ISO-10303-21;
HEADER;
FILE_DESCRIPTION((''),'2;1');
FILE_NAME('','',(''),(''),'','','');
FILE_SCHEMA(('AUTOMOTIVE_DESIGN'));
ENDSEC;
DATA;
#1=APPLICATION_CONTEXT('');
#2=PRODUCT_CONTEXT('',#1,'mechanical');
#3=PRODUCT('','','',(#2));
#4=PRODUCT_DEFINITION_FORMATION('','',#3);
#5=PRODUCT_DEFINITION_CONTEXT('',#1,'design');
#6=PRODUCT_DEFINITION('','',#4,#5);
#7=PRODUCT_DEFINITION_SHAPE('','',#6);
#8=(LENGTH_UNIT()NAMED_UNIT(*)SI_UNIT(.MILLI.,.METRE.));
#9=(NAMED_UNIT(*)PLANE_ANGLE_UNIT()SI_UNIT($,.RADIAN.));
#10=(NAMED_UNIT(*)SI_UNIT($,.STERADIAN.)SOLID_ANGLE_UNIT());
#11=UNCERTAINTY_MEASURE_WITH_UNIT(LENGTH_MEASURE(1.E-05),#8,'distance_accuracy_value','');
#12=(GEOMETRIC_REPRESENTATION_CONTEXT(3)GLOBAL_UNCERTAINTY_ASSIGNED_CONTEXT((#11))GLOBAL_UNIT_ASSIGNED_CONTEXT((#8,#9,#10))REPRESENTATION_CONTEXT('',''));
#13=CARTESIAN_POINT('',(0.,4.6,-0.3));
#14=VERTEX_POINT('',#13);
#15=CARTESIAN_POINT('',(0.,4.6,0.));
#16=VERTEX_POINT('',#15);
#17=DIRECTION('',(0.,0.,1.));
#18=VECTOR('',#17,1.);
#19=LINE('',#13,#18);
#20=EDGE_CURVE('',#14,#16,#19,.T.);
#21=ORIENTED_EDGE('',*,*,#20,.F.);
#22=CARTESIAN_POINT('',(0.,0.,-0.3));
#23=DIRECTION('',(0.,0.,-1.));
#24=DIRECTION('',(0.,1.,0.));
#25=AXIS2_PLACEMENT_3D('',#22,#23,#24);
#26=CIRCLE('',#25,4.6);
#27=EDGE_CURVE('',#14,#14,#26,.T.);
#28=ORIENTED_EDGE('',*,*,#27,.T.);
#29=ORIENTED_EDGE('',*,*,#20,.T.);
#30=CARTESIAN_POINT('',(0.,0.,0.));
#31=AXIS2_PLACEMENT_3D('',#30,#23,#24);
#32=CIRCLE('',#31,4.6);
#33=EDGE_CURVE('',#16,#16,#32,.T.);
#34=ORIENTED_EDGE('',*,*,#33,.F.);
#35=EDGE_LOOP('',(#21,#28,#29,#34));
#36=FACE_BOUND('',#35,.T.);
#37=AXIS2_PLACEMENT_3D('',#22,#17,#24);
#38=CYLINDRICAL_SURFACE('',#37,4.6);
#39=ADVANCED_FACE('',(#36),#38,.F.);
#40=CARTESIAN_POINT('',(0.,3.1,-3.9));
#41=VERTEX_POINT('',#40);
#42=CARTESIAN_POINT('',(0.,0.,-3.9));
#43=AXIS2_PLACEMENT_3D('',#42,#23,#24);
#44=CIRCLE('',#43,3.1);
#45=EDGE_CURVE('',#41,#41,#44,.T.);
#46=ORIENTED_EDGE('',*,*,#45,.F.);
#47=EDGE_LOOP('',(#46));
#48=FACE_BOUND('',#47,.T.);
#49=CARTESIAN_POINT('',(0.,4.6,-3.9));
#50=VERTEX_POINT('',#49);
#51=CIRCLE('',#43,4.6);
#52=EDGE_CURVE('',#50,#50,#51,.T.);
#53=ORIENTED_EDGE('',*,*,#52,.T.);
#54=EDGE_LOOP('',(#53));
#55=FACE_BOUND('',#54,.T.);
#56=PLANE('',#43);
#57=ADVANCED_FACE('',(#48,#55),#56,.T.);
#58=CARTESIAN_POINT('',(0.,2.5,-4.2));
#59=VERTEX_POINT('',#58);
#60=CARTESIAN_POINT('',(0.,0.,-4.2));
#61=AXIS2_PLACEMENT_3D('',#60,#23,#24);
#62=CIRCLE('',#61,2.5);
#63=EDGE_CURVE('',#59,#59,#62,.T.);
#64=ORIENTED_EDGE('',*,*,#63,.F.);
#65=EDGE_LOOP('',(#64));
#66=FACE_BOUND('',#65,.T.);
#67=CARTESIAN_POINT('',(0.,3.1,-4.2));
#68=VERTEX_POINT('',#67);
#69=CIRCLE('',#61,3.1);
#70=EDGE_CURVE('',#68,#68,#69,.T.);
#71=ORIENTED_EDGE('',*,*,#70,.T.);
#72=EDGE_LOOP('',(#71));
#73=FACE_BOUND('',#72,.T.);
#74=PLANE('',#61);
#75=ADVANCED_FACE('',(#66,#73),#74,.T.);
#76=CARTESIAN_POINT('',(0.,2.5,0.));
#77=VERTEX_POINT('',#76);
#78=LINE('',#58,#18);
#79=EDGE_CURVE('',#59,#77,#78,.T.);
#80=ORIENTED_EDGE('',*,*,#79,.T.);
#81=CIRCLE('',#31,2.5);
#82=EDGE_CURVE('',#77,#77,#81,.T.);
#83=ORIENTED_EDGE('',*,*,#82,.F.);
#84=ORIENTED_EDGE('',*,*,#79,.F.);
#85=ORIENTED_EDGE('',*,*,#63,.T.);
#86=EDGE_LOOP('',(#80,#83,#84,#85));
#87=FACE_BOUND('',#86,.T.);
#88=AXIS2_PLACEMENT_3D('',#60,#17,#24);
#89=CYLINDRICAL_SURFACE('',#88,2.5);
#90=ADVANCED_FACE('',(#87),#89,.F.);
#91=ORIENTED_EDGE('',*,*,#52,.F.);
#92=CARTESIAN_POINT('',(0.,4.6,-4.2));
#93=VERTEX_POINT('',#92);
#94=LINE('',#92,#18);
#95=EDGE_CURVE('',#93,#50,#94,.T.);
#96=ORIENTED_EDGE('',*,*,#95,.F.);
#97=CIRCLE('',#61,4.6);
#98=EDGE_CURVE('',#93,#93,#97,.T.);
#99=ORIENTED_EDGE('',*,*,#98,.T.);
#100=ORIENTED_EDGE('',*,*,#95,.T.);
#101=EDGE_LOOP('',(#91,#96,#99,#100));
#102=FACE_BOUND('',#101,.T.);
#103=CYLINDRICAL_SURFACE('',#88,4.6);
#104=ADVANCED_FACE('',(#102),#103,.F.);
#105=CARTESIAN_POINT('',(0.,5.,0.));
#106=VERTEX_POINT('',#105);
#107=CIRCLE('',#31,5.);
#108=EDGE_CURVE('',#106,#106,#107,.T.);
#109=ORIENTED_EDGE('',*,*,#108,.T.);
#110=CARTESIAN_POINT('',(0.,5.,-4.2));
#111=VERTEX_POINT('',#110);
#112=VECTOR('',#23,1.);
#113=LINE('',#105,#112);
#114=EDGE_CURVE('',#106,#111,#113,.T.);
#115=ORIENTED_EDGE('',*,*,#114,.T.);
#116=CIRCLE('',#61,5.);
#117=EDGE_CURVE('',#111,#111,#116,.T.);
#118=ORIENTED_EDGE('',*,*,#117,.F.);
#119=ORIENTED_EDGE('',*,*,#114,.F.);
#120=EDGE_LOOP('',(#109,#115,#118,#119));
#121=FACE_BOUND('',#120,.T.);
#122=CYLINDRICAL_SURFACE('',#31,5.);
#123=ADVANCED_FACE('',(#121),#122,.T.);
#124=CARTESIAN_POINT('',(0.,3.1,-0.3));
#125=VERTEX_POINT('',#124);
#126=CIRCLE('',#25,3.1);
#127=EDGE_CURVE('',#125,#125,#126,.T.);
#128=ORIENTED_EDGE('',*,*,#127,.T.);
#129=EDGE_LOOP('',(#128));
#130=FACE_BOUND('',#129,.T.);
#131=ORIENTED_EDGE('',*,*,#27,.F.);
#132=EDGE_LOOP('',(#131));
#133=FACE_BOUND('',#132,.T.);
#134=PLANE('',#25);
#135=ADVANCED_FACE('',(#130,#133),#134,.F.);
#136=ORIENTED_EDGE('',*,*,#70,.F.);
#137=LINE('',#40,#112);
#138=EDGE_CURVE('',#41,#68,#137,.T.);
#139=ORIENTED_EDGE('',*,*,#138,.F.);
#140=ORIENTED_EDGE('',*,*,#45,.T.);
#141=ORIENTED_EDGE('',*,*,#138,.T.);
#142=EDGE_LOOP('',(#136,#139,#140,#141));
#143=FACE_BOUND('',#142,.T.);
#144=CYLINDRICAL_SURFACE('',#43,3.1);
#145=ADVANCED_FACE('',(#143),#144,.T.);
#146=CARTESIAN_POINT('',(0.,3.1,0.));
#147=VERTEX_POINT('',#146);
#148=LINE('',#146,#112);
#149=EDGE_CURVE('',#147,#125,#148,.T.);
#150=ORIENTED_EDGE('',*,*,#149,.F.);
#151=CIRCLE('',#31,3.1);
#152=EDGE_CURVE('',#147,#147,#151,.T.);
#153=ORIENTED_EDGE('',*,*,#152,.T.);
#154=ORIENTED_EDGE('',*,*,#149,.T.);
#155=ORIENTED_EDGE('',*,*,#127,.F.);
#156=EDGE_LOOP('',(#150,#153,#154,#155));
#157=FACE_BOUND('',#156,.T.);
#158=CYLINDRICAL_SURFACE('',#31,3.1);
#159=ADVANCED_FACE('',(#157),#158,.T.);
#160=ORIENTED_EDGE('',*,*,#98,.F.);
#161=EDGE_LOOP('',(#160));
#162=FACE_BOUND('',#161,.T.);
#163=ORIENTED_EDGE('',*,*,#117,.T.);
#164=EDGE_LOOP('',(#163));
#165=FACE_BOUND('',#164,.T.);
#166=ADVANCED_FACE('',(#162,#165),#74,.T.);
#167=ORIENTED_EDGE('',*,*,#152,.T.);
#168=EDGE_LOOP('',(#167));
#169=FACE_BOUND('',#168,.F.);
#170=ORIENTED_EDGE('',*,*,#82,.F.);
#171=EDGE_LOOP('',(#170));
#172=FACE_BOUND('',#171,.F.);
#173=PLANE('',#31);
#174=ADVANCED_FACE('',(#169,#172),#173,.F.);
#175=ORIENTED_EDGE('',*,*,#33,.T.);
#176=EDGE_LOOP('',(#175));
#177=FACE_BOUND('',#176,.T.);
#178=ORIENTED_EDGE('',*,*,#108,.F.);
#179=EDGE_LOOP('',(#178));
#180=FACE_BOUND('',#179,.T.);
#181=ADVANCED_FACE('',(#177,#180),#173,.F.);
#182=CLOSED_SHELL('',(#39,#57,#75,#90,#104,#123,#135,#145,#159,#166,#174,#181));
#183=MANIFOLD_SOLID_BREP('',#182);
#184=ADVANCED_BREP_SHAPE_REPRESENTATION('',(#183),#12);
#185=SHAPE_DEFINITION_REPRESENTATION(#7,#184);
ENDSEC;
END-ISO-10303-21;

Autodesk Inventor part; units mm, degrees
ref_plane "YZ Plane" through (0, 0, 0) normal (1, 0, 0) x (0, 1, 0)
ref_plane "XZ Plane" through (0, 0, 0) normal (0, 1, 0) x (-1, 0, 0)
ref_plane "XY Plane" through (0, 0, 0) normal (0, 0, 1) x (1, 0, 0)
sketch "Sketch1" plane through (0, 0, 0) normal (1, 0, 0) x (0, 1, 0)
  line L0 (4, 0) -> (2.5, 0)
  line L1 (2.5, 0) -> (3.1, 0)
  line L2 (3.1, 0) -> (3.1, -0.3)
  line L3 (3.1, -0.3) -> (4.6, -0.3)
  line L4 (4.6, -0.3) -> (4.6, 0)
  line L5 (4.6, 0) -> (5, 0)
  line L6 (5, 0) -> (5, -4.2)
  line L7 (5, -4.2) -> (4.6, -4.2)
  line L8 (4.6, -4.2) -> (4.6, -3.9)
  line L9 (4.6, -3.9) -> (3.1, -3.9)
  line L10 (3.1, -3.9) -> (3.1, -4.2)
  line L11 (3.1, -4.2) -> (2.5, -4.2)
  line L12 (2.5, -4.2) -> (2.5, 0)
  line L13 (0, 0) -> (0, -4.97)
revolve "Revolution1" add sketch "Sketch1" angle 360 about axis through (0, 0, 0) along (0, 0, -1)
properties part number "Ball Bearing 5 x 10 x 4.2" material "Stainless Steel"
